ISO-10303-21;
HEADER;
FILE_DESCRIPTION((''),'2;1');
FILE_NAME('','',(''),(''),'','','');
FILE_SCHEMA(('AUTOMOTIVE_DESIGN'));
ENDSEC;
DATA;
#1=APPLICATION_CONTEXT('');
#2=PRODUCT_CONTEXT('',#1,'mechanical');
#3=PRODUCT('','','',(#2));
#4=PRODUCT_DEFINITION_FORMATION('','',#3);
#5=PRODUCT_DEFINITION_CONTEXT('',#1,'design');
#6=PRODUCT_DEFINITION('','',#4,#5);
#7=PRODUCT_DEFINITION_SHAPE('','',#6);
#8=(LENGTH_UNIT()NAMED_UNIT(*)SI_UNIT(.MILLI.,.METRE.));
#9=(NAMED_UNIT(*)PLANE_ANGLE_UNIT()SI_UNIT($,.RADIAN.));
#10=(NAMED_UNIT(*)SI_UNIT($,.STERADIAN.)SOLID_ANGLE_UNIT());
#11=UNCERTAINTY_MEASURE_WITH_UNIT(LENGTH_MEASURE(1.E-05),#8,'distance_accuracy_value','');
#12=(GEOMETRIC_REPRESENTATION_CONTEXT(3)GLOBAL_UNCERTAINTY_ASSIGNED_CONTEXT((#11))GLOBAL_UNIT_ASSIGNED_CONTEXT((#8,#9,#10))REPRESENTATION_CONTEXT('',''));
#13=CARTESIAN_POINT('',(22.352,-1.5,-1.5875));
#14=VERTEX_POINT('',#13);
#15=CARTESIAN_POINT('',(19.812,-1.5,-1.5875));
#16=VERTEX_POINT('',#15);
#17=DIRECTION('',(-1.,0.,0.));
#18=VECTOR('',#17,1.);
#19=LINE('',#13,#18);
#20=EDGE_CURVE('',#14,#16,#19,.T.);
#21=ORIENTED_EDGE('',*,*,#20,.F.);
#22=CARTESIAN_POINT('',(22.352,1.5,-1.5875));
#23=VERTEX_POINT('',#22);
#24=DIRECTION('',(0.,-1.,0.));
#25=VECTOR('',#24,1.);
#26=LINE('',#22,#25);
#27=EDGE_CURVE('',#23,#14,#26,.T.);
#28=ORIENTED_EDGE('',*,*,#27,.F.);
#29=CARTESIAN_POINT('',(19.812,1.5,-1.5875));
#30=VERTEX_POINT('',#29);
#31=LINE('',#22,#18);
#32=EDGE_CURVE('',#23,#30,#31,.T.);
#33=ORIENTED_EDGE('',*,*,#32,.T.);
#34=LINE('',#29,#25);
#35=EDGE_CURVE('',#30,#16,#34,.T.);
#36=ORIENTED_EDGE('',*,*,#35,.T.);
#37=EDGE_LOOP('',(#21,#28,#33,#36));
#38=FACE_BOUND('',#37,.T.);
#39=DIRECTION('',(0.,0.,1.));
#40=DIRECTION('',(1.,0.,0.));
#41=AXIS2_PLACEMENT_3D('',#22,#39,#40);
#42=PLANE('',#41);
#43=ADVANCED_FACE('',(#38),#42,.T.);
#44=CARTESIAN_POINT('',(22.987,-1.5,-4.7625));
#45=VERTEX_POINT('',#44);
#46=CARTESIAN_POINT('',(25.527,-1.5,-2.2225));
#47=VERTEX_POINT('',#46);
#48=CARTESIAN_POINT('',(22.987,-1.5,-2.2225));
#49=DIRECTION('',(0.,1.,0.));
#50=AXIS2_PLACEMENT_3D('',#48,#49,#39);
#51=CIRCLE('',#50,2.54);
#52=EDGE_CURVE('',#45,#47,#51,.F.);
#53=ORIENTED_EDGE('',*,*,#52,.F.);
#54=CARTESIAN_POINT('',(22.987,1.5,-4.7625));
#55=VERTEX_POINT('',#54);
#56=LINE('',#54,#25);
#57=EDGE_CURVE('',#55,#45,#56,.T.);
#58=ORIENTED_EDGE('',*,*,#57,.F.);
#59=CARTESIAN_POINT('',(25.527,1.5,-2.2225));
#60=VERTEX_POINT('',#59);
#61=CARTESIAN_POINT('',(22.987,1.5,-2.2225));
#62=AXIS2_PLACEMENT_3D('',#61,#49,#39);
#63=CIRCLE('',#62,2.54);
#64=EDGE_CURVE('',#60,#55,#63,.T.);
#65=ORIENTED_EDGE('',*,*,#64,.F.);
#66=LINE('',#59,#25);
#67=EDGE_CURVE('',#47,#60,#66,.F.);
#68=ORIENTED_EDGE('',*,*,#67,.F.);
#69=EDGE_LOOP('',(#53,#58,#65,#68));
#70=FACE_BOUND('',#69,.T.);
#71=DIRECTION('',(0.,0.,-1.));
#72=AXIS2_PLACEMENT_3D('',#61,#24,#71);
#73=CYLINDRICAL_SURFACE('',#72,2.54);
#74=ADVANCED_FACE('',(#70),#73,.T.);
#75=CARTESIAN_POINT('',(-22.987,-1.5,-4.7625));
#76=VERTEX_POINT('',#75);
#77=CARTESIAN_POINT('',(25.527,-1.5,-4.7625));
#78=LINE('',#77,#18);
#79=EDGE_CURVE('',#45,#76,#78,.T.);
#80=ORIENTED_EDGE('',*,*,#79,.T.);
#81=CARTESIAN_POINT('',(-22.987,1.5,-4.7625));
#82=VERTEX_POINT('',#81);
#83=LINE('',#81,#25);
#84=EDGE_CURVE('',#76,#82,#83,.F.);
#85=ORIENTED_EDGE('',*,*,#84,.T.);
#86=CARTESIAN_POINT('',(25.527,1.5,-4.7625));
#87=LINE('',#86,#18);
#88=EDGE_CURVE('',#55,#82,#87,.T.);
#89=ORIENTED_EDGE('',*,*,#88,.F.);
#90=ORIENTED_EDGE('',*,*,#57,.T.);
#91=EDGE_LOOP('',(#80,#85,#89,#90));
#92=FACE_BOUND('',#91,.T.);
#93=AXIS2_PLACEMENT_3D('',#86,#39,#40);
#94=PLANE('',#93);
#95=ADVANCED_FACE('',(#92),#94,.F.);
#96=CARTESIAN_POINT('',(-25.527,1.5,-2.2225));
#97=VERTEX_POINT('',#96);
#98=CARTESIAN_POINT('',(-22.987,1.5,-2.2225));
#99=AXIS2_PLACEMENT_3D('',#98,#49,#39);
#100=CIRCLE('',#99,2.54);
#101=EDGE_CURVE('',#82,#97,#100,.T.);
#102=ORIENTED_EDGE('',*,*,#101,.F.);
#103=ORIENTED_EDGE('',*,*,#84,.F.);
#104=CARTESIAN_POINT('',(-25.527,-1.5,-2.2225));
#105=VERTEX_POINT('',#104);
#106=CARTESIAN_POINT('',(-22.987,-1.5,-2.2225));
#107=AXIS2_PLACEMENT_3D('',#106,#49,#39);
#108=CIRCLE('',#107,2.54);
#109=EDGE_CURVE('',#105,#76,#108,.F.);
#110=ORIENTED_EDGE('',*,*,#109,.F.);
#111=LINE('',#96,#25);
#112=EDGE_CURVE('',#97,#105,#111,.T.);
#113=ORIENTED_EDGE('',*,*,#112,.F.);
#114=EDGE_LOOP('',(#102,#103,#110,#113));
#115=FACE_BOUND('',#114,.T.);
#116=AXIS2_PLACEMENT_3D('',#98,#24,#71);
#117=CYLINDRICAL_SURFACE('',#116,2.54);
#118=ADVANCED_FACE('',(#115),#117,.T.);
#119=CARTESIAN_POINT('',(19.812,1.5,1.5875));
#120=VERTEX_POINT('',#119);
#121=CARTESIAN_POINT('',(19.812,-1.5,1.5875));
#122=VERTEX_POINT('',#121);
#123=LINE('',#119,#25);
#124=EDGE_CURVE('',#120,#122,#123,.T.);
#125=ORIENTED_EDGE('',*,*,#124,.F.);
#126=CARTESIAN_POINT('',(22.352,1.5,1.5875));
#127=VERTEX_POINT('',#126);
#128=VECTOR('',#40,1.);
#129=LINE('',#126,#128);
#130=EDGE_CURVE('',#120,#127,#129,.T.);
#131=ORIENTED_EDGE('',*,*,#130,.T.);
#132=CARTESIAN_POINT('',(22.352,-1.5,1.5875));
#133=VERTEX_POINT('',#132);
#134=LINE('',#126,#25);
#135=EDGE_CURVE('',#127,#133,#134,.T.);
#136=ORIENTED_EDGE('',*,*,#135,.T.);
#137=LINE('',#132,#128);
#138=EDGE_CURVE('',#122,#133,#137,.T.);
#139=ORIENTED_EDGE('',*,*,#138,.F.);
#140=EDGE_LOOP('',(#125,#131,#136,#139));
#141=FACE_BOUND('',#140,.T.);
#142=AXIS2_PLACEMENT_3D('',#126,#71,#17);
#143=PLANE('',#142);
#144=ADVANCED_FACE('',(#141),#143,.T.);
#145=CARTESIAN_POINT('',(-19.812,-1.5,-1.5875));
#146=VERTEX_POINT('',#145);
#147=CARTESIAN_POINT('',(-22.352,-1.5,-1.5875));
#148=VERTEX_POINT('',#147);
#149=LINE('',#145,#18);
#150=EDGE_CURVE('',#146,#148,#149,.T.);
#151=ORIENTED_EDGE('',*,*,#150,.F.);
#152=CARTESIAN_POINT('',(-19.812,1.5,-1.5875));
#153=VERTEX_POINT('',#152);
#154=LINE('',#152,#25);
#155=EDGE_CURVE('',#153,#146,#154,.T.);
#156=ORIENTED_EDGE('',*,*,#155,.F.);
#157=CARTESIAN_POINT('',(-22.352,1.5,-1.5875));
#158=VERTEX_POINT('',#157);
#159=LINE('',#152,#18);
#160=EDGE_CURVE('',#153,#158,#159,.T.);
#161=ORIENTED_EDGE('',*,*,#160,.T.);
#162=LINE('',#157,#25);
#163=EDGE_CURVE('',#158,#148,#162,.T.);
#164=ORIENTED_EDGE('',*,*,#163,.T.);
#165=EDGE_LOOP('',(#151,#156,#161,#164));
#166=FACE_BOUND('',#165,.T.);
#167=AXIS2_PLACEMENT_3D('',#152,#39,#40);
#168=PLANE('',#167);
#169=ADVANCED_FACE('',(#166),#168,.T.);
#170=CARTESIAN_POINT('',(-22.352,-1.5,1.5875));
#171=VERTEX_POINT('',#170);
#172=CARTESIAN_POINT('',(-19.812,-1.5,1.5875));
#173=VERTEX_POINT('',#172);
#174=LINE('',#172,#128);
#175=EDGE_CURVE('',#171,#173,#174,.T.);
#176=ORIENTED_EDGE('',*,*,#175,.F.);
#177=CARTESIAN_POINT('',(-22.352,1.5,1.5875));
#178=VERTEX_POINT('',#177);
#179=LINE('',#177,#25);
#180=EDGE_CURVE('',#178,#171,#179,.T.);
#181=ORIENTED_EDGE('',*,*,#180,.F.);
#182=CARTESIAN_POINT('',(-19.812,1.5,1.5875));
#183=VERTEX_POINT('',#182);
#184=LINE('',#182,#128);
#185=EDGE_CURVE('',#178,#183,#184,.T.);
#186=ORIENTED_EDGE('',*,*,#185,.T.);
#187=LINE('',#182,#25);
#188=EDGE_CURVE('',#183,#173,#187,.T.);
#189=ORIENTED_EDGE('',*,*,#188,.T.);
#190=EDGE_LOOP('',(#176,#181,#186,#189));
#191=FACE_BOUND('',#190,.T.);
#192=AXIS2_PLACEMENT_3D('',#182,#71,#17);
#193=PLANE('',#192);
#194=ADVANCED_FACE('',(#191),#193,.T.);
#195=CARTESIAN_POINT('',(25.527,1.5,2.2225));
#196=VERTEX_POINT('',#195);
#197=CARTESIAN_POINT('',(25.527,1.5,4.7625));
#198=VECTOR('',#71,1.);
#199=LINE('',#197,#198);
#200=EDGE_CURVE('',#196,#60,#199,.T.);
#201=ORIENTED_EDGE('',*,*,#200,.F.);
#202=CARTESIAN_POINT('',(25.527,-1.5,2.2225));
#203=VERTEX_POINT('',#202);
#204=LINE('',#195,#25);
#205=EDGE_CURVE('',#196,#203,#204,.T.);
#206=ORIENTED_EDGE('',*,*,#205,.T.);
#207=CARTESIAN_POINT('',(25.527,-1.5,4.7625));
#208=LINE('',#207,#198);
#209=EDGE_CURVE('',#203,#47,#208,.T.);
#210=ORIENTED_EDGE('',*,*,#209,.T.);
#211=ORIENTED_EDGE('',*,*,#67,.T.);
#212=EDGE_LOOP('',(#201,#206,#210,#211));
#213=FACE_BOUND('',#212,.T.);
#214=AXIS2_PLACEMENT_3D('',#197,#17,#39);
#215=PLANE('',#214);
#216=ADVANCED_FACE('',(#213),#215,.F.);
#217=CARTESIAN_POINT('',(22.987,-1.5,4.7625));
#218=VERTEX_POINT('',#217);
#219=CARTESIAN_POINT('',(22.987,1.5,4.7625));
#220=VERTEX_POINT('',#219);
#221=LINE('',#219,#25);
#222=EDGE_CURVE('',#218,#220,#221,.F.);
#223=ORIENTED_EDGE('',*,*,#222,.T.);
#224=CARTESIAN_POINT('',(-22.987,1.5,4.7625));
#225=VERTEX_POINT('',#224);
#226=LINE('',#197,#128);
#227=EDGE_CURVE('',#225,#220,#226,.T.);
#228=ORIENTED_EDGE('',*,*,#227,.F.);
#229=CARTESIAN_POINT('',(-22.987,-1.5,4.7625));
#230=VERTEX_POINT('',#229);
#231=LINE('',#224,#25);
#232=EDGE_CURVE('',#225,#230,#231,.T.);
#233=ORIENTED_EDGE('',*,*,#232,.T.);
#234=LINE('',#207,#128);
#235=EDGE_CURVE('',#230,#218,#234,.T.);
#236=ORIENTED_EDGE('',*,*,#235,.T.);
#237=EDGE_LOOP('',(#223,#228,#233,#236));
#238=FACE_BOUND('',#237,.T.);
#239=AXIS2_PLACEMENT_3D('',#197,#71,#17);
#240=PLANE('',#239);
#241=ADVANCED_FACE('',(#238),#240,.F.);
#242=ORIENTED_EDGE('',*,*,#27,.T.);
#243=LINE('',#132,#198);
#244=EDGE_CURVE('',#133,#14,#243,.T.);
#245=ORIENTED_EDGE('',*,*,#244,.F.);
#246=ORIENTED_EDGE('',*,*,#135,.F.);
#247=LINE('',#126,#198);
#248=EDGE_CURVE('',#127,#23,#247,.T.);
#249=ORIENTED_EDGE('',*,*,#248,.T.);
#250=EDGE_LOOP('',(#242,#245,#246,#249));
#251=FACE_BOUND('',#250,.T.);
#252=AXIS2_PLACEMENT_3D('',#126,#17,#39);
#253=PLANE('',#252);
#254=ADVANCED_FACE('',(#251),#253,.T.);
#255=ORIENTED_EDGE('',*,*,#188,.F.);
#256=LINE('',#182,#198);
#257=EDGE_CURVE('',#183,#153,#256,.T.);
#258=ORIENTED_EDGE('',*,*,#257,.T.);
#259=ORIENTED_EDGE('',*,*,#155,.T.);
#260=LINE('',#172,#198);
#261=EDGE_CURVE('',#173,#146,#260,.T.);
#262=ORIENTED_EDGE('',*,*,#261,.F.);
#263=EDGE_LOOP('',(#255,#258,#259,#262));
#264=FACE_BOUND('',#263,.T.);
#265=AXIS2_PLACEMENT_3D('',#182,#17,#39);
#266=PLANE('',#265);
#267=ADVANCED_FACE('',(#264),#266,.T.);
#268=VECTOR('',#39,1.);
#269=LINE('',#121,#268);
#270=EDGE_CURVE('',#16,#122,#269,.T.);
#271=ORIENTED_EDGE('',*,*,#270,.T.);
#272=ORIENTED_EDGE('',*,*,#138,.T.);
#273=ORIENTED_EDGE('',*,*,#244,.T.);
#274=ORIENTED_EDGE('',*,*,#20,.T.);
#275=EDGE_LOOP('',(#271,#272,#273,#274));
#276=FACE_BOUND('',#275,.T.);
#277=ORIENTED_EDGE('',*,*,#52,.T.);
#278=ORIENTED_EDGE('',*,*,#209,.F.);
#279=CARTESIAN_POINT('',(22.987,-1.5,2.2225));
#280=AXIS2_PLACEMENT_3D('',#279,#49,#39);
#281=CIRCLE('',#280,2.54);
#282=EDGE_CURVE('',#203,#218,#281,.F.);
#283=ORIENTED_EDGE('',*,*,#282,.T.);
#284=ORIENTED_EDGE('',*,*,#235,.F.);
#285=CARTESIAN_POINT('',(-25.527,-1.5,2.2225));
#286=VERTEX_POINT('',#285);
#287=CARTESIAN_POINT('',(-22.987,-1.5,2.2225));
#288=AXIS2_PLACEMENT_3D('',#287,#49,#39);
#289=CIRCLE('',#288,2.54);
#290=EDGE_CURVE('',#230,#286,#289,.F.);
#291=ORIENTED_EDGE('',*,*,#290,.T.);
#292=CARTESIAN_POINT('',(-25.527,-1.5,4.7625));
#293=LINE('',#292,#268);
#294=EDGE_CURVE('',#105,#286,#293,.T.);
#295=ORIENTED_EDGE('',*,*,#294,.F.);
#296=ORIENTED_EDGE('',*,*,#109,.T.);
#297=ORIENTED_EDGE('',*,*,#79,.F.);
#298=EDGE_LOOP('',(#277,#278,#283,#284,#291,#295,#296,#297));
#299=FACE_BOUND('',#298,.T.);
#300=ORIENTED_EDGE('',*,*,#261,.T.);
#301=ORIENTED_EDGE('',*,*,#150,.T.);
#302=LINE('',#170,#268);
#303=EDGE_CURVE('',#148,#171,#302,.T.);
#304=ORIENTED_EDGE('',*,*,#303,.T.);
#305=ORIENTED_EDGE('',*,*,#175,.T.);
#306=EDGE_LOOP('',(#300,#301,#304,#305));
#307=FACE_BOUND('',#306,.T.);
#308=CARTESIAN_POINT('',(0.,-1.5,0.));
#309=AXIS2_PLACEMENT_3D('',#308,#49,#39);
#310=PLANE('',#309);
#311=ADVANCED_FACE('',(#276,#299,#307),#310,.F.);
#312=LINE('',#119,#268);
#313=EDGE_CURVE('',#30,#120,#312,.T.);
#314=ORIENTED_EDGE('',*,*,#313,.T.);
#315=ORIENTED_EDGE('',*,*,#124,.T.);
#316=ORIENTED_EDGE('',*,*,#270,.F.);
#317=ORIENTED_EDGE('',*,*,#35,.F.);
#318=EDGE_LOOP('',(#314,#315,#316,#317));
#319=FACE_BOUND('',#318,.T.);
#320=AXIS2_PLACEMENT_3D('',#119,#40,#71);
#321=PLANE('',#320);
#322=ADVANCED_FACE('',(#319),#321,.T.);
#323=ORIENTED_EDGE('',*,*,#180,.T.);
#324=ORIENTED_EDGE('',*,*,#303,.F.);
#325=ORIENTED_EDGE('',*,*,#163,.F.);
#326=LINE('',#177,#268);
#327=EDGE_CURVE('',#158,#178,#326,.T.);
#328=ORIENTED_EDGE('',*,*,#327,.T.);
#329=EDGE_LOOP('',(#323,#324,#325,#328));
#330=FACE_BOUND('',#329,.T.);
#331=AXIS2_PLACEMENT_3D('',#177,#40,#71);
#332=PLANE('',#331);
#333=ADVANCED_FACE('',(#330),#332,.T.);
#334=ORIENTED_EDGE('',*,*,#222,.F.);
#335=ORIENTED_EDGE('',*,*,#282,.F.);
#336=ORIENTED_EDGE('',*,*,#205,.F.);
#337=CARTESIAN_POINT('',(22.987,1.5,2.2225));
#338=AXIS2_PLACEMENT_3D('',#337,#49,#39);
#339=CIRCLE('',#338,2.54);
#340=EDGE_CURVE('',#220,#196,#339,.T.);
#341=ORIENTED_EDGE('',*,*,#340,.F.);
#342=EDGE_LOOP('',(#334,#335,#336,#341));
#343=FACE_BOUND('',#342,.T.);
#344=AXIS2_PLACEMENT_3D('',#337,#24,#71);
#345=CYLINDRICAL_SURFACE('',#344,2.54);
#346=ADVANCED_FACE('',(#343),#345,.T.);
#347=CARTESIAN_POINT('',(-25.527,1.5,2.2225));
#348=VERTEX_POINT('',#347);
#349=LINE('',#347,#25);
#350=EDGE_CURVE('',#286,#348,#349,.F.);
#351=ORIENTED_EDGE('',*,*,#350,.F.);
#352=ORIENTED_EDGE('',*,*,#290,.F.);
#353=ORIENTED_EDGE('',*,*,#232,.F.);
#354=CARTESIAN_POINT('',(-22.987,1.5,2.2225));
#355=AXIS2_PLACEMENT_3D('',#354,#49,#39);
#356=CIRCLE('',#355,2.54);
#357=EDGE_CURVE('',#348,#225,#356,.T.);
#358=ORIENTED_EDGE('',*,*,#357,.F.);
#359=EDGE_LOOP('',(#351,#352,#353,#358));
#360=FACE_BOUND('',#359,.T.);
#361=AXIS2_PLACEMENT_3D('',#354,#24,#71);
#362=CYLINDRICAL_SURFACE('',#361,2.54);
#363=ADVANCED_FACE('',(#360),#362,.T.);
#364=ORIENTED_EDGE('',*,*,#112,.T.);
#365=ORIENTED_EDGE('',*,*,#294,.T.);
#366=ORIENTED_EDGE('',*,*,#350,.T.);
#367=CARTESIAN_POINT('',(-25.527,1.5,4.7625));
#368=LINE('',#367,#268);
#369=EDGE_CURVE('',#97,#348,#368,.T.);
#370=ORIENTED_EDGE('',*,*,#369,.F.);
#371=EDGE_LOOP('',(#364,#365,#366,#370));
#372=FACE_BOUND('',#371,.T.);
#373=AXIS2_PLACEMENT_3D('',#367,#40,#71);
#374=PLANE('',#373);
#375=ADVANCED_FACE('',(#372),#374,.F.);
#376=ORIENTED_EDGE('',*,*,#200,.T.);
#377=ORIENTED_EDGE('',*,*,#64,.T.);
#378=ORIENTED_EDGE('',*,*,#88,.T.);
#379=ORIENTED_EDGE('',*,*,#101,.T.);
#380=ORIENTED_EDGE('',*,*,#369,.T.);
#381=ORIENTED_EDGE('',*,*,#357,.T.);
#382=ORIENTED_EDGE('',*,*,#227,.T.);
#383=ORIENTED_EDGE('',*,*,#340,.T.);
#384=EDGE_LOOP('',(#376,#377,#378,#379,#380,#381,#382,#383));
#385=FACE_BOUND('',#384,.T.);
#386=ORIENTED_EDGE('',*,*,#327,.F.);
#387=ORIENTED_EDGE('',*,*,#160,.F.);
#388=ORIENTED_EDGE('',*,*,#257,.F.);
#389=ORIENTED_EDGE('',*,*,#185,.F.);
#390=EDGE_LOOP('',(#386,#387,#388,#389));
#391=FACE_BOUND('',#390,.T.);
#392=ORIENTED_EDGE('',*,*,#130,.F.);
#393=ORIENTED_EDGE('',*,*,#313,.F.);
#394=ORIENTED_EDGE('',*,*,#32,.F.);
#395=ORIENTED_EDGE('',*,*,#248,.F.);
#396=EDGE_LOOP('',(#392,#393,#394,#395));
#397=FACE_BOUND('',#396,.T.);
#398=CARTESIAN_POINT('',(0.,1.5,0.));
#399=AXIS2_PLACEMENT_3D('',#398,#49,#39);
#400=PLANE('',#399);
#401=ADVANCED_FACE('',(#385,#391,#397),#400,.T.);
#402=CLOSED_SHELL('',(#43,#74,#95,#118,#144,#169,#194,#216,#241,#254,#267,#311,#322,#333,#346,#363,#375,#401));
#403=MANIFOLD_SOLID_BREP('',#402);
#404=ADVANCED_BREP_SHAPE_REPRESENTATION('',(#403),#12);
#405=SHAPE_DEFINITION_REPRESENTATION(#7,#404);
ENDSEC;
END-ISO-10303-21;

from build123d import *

# Parameters (mm, degrees)
SKETCH1_W           = 51.054
SKETCH1_H           = 9.525
SKETCH1_W_2         = 2.54
SKETCH1_H_2         = 3.175
BOSS_EXTRUDE1_DEPTH = 1.5
FILLET1_R           = 2.54


with BuildPart() as part:
    # Sketch1 → Boss-Extrude1 (new, symmetric)
    with BuildSketch(Plane(origin=(0, 0, 0), x_dir=(1, 0, 0), z_dir=(0, 1, 0))):
        Rectangle(SKETCH1_W, SKETCH1_H)
        with Locations((-21.082, 0)):
            Rectangle(SKETCH1_W_2, SKETCH1_H_2, mode=Mode.SUBTRACT)
        with Locations((21.082, 0)):
            Rectangle(SKETCH1_W_2, SKETCH1_H_2, mode=Mode.SUBTRACT)
    extrude(amount=BOSS_EXTRUDE1_DEPTH, both=True)

    # Fillet1
    fillet1_edges = [part.edges().sort_by_distance(p)[0] for p in [
        (-25.527, 0, -4.7625),
        (25.527, 0, -4.7625),
        (25.527, 0, 4.7625),
        (-25.527, 0, 4.7625),
    ]]
    fillet(fillet1_edges, radius=FILLET1_R)


solid = part.part
